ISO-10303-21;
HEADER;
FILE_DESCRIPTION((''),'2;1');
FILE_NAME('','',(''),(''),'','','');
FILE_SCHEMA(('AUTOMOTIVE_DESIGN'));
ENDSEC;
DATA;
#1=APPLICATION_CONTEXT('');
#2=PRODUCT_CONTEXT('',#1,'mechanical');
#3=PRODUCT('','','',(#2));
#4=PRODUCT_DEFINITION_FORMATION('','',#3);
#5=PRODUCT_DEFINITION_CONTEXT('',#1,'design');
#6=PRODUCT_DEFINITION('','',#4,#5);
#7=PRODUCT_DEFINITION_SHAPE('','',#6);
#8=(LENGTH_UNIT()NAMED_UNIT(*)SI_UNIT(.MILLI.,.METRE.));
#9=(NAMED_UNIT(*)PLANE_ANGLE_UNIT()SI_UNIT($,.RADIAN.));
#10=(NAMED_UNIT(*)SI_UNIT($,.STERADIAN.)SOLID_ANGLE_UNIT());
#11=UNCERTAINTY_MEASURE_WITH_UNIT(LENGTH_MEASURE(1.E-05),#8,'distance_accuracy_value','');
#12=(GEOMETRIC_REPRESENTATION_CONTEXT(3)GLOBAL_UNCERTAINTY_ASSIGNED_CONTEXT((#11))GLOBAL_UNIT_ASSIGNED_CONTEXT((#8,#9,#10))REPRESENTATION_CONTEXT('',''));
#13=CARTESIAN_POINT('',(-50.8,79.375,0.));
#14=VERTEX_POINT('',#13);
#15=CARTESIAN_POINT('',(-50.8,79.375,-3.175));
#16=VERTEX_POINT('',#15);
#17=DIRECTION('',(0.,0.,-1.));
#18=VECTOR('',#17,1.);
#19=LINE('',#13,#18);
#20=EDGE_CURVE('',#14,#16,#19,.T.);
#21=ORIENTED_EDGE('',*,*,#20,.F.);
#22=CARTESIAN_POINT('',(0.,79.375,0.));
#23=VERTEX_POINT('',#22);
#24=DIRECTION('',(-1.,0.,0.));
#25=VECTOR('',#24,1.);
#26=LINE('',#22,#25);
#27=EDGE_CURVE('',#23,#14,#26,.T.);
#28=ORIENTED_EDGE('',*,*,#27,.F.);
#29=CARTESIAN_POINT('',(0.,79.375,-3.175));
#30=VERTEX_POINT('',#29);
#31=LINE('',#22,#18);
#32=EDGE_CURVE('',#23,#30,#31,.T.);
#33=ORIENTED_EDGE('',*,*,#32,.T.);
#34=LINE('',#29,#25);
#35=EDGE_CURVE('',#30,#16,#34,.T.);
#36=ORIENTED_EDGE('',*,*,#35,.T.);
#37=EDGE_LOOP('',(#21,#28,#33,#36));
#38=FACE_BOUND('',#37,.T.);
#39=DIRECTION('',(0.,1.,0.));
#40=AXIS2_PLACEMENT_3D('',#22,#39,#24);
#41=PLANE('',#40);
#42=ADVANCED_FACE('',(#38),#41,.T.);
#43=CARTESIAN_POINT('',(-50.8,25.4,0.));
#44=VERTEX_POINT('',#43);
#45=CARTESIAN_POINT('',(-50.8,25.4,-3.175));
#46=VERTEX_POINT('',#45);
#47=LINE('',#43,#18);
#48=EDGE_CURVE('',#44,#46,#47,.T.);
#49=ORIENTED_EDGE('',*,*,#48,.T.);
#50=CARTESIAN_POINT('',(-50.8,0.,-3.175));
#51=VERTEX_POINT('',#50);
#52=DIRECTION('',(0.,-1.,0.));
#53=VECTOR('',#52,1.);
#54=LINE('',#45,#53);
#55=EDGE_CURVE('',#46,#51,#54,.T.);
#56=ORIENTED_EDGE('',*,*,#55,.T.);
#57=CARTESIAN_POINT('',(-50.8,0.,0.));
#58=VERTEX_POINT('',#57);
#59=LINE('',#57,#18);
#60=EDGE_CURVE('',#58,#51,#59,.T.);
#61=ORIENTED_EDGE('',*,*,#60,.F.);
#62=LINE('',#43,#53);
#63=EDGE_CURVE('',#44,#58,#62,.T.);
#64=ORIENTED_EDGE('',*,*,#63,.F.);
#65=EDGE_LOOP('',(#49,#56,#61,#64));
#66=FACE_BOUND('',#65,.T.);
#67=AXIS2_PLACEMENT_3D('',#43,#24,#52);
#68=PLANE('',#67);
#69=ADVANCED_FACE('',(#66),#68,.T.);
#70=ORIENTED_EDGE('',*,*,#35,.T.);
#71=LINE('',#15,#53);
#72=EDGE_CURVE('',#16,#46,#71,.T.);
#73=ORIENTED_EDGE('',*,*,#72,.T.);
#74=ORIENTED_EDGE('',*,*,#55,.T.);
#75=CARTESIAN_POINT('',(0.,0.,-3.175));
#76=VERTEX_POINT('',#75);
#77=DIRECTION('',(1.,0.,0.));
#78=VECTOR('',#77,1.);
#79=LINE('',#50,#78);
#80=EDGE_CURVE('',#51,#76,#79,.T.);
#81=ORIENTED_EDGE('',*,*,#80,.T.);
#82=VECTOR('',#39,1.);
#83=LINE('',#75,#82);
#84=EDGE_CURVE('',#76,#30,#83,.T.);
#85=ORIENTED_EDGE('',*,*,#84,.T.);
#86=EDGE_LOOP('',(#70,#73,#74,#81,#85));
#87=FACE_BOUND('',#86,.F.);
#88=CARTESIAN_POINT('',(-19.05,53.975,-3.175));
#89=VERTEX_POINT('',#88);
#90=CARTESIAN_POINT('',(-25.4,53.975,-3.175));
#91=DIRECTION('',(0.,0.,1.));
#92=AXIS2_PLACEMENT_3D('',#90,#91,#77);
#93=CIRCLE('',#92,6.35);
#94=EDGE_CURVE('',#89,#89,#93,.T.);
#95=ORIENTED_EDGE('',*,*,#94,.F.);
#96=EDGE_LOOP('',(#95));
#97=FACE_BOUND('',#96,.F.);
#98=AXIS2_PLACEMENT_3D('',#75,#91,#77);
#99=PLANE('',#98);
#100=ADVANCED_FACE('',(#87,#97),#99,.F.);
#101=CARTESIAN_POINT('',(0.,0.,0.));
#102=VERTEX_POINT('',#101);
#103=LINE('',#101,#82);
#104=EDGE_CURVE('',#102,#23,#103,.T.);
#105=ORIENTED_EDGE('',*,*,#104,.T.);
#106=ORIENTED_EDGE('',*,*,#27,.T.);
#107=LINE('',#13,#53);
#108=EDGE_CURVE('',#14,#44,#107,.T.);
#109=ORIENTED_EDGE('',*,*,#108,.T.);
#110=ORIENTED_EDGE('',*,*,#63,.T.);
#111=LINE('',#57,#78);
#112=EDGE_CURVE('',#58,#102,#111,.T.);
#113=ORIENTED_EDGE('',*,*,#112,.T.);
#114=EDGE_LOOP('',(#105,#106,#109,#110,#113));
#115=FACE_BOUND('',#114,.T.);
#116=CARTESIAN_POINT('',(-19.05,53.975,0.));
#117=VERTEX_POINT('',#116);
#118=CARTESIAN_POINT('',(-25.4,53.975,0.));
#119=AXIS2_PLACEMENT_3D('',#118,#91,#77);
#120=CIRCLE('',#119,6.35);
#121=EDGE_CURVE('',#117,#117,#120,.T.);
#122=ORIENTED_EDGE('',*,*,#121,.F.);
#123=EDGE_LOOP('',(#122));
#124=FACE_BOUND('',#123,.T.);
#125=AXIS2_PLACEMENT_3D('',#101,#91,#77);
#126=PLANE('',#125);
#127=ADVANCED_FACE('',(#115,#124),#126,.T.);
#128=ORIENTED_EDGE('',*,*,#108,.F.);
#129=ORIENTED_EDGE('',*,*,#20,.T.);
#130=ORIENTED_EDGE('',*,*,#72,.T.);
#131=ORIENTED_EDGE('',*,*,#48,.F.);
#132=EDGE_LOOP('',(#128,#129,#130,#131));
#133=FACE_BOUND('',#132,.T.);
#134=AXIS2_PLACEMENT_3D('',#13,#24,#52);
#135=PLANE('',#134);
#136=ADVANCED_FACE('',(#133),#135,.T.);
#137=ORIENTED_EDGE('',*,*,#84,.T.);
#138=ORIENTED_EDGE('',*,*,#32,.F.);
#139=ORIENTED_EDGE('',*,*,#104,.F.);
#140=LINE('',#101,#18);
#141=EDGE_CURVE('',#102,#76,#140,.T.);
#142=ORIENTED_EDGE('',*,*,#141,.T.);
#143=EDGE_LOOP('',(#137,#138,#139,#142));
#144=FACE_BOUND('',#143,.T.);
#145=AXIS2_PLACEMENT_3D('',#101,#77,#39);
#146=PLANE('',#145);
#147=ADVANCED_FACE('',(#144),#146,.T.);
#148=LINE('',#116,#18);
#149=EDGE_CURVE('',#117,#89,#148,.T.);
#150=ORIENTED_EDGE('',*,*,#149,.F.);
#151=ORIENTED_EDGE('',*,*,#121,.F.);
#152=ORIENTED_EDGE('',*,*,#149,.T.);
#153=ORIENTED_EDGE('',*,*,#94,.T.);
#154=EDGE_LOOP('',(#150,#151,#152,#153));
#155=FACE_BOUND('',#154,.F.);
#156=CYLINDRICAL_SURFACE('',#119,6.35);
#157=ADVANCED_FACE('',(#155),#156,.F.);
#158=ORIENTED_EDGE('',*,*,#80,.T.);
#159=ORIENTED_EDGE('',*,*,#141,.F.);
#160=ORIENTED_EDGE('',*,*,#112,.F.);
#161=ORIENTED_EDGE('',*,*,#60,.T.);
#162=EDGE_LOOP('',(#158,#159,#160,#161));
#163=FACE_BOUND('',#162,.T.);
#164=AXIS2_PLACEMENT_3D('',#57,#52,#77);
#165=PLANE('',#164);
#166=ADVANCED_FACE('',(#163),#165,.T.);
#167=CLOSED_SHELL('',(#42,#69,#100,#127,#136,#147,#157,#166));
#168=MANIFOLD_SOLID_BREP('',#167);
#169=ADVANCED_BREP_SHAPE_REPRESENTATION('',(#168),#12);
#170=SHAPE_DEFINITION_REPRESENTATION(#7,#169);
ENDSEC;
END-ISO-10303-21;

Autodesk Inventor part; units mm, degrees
ref_plane "YZ Plane" through (0, 0, 0) normal (1, 0, 0) x (0, 1, 0)
ref_plane "XZ Plane" through (0, 0, 0) normal (0, 1, 0) x (-1, 0, 0)
ref_plane "XY Plane" through (0, 0, 0) normal (0, 0, 1) x (1, 0, 0)
sketch "Sketch1" plane through (0, 0, 0) normal (0, 0, 1) x (1, 0, 0)
  line L0 (0, 0) -> (0, 79.375)
  line L1 (0, 79.375) -> (-50.8, 79.375)
  line L2 (-50.8, 79.375) -> (-50.8, 25.4)
  line L3 (-50.8, 25.4) -> (-50.8, 0)
  line L4 (-50.8, 0) -> (0, 0)
  circle A0 centre (-25.4, 53.975) radius 6.35
  dimension "d0" = 79.375
  dimension "d1" = 50.8
  dimension "d2" = 25.4
  dimension "d3" = 50.8
  dimension "d4" = 25.4
  dimension "d5" = 25.4
  dimension "d6" = 12.7
extrude "Extrusion1" add sketch "Sketch1" against normal blind 3.175
properties part number "gearmotor mounting plate"
